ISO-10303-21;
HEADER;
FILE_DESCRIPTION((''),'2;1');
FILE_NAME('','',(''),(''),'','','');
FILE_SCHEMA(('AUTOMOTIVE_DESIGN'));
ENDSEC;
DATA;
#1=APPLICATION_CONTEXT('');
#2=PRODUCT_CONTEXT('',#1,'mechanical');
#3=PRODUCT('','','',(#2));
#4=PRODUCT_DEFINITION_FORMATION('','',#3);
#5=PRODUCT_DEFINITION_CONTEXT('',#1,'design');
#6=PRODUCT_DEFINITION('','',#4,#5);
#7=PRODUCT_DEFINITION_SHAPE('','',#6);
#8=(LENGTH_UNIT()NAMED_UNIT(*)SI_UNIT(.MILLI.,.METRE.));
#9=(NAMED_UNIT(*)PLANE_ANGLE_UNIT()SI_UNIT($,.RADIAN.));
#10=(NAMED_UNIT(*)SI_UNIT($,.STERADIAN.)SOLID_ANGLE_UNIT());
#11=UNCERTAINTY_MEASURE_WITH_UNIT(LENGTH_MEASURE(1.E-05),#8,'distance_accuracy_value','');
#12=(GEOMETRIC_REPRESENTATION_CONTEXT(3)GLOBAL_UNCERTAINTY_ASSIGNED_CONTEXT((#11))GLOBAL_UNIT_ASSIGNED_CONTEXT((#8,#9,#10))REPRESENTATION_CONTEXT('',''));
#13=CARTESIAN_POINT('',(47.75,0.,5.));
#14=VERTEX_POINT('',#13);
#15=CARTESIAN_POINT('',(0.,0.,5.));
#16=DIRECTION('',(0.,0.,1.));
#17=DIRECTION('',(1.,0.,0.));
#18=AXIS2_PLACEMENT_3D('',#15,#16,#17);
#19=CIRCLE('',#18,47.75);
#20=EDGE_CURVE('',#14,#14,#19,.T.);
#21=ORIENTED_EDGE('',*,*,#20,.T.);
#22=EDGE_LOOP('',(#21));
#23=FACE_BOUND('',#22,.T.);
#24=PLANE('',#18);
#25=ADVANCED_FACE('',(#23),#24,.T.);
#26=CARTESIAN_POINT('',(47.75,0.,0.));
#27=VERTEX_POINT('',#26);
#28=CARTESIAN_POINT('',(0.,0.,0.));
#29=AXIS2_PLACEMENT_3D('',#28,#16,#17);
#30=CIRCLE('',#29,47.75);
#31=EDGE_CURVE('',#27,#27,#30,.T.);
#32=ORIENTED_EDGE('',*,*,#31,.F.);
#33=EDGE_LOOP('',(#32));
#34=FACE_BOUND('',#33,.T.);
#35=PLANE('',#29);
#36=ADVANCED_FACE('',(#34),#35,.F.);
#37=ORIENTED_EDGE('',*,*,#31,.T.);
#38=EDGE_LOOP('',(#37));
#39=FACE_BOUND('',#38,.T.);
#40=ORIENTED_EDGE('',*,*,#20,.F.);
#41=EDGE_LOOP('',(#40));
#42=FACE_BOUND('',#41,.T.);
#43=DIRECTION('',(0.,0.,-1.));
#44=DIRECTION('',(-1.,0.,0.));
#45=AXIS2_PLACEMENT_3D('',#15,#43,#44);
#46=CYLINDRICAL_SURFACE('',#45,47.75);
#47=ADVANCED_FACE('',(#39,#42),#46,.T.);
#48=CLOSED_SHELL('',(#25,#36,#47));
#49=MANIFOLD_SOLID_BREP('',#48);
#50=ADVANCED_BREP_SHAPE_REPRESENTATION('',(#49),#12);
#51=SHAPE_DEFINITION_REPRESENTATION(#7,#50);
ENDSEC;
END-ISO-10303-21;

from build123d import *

# Parameters (mm, degrees)
ESQUISSE1_R        = 47.75
BOSS_EXTRU_1_DEPTH = 5


with BuildPart() as part:
    # Esquisse1 → Boss.-Extru.1 (new body)
    with BuildSketch(Plane.XY):
        Circle(ESQUISSE1_R)
    extrude(amount=BOSS_EXTRU_1_DEPTH)


solid = part.part
